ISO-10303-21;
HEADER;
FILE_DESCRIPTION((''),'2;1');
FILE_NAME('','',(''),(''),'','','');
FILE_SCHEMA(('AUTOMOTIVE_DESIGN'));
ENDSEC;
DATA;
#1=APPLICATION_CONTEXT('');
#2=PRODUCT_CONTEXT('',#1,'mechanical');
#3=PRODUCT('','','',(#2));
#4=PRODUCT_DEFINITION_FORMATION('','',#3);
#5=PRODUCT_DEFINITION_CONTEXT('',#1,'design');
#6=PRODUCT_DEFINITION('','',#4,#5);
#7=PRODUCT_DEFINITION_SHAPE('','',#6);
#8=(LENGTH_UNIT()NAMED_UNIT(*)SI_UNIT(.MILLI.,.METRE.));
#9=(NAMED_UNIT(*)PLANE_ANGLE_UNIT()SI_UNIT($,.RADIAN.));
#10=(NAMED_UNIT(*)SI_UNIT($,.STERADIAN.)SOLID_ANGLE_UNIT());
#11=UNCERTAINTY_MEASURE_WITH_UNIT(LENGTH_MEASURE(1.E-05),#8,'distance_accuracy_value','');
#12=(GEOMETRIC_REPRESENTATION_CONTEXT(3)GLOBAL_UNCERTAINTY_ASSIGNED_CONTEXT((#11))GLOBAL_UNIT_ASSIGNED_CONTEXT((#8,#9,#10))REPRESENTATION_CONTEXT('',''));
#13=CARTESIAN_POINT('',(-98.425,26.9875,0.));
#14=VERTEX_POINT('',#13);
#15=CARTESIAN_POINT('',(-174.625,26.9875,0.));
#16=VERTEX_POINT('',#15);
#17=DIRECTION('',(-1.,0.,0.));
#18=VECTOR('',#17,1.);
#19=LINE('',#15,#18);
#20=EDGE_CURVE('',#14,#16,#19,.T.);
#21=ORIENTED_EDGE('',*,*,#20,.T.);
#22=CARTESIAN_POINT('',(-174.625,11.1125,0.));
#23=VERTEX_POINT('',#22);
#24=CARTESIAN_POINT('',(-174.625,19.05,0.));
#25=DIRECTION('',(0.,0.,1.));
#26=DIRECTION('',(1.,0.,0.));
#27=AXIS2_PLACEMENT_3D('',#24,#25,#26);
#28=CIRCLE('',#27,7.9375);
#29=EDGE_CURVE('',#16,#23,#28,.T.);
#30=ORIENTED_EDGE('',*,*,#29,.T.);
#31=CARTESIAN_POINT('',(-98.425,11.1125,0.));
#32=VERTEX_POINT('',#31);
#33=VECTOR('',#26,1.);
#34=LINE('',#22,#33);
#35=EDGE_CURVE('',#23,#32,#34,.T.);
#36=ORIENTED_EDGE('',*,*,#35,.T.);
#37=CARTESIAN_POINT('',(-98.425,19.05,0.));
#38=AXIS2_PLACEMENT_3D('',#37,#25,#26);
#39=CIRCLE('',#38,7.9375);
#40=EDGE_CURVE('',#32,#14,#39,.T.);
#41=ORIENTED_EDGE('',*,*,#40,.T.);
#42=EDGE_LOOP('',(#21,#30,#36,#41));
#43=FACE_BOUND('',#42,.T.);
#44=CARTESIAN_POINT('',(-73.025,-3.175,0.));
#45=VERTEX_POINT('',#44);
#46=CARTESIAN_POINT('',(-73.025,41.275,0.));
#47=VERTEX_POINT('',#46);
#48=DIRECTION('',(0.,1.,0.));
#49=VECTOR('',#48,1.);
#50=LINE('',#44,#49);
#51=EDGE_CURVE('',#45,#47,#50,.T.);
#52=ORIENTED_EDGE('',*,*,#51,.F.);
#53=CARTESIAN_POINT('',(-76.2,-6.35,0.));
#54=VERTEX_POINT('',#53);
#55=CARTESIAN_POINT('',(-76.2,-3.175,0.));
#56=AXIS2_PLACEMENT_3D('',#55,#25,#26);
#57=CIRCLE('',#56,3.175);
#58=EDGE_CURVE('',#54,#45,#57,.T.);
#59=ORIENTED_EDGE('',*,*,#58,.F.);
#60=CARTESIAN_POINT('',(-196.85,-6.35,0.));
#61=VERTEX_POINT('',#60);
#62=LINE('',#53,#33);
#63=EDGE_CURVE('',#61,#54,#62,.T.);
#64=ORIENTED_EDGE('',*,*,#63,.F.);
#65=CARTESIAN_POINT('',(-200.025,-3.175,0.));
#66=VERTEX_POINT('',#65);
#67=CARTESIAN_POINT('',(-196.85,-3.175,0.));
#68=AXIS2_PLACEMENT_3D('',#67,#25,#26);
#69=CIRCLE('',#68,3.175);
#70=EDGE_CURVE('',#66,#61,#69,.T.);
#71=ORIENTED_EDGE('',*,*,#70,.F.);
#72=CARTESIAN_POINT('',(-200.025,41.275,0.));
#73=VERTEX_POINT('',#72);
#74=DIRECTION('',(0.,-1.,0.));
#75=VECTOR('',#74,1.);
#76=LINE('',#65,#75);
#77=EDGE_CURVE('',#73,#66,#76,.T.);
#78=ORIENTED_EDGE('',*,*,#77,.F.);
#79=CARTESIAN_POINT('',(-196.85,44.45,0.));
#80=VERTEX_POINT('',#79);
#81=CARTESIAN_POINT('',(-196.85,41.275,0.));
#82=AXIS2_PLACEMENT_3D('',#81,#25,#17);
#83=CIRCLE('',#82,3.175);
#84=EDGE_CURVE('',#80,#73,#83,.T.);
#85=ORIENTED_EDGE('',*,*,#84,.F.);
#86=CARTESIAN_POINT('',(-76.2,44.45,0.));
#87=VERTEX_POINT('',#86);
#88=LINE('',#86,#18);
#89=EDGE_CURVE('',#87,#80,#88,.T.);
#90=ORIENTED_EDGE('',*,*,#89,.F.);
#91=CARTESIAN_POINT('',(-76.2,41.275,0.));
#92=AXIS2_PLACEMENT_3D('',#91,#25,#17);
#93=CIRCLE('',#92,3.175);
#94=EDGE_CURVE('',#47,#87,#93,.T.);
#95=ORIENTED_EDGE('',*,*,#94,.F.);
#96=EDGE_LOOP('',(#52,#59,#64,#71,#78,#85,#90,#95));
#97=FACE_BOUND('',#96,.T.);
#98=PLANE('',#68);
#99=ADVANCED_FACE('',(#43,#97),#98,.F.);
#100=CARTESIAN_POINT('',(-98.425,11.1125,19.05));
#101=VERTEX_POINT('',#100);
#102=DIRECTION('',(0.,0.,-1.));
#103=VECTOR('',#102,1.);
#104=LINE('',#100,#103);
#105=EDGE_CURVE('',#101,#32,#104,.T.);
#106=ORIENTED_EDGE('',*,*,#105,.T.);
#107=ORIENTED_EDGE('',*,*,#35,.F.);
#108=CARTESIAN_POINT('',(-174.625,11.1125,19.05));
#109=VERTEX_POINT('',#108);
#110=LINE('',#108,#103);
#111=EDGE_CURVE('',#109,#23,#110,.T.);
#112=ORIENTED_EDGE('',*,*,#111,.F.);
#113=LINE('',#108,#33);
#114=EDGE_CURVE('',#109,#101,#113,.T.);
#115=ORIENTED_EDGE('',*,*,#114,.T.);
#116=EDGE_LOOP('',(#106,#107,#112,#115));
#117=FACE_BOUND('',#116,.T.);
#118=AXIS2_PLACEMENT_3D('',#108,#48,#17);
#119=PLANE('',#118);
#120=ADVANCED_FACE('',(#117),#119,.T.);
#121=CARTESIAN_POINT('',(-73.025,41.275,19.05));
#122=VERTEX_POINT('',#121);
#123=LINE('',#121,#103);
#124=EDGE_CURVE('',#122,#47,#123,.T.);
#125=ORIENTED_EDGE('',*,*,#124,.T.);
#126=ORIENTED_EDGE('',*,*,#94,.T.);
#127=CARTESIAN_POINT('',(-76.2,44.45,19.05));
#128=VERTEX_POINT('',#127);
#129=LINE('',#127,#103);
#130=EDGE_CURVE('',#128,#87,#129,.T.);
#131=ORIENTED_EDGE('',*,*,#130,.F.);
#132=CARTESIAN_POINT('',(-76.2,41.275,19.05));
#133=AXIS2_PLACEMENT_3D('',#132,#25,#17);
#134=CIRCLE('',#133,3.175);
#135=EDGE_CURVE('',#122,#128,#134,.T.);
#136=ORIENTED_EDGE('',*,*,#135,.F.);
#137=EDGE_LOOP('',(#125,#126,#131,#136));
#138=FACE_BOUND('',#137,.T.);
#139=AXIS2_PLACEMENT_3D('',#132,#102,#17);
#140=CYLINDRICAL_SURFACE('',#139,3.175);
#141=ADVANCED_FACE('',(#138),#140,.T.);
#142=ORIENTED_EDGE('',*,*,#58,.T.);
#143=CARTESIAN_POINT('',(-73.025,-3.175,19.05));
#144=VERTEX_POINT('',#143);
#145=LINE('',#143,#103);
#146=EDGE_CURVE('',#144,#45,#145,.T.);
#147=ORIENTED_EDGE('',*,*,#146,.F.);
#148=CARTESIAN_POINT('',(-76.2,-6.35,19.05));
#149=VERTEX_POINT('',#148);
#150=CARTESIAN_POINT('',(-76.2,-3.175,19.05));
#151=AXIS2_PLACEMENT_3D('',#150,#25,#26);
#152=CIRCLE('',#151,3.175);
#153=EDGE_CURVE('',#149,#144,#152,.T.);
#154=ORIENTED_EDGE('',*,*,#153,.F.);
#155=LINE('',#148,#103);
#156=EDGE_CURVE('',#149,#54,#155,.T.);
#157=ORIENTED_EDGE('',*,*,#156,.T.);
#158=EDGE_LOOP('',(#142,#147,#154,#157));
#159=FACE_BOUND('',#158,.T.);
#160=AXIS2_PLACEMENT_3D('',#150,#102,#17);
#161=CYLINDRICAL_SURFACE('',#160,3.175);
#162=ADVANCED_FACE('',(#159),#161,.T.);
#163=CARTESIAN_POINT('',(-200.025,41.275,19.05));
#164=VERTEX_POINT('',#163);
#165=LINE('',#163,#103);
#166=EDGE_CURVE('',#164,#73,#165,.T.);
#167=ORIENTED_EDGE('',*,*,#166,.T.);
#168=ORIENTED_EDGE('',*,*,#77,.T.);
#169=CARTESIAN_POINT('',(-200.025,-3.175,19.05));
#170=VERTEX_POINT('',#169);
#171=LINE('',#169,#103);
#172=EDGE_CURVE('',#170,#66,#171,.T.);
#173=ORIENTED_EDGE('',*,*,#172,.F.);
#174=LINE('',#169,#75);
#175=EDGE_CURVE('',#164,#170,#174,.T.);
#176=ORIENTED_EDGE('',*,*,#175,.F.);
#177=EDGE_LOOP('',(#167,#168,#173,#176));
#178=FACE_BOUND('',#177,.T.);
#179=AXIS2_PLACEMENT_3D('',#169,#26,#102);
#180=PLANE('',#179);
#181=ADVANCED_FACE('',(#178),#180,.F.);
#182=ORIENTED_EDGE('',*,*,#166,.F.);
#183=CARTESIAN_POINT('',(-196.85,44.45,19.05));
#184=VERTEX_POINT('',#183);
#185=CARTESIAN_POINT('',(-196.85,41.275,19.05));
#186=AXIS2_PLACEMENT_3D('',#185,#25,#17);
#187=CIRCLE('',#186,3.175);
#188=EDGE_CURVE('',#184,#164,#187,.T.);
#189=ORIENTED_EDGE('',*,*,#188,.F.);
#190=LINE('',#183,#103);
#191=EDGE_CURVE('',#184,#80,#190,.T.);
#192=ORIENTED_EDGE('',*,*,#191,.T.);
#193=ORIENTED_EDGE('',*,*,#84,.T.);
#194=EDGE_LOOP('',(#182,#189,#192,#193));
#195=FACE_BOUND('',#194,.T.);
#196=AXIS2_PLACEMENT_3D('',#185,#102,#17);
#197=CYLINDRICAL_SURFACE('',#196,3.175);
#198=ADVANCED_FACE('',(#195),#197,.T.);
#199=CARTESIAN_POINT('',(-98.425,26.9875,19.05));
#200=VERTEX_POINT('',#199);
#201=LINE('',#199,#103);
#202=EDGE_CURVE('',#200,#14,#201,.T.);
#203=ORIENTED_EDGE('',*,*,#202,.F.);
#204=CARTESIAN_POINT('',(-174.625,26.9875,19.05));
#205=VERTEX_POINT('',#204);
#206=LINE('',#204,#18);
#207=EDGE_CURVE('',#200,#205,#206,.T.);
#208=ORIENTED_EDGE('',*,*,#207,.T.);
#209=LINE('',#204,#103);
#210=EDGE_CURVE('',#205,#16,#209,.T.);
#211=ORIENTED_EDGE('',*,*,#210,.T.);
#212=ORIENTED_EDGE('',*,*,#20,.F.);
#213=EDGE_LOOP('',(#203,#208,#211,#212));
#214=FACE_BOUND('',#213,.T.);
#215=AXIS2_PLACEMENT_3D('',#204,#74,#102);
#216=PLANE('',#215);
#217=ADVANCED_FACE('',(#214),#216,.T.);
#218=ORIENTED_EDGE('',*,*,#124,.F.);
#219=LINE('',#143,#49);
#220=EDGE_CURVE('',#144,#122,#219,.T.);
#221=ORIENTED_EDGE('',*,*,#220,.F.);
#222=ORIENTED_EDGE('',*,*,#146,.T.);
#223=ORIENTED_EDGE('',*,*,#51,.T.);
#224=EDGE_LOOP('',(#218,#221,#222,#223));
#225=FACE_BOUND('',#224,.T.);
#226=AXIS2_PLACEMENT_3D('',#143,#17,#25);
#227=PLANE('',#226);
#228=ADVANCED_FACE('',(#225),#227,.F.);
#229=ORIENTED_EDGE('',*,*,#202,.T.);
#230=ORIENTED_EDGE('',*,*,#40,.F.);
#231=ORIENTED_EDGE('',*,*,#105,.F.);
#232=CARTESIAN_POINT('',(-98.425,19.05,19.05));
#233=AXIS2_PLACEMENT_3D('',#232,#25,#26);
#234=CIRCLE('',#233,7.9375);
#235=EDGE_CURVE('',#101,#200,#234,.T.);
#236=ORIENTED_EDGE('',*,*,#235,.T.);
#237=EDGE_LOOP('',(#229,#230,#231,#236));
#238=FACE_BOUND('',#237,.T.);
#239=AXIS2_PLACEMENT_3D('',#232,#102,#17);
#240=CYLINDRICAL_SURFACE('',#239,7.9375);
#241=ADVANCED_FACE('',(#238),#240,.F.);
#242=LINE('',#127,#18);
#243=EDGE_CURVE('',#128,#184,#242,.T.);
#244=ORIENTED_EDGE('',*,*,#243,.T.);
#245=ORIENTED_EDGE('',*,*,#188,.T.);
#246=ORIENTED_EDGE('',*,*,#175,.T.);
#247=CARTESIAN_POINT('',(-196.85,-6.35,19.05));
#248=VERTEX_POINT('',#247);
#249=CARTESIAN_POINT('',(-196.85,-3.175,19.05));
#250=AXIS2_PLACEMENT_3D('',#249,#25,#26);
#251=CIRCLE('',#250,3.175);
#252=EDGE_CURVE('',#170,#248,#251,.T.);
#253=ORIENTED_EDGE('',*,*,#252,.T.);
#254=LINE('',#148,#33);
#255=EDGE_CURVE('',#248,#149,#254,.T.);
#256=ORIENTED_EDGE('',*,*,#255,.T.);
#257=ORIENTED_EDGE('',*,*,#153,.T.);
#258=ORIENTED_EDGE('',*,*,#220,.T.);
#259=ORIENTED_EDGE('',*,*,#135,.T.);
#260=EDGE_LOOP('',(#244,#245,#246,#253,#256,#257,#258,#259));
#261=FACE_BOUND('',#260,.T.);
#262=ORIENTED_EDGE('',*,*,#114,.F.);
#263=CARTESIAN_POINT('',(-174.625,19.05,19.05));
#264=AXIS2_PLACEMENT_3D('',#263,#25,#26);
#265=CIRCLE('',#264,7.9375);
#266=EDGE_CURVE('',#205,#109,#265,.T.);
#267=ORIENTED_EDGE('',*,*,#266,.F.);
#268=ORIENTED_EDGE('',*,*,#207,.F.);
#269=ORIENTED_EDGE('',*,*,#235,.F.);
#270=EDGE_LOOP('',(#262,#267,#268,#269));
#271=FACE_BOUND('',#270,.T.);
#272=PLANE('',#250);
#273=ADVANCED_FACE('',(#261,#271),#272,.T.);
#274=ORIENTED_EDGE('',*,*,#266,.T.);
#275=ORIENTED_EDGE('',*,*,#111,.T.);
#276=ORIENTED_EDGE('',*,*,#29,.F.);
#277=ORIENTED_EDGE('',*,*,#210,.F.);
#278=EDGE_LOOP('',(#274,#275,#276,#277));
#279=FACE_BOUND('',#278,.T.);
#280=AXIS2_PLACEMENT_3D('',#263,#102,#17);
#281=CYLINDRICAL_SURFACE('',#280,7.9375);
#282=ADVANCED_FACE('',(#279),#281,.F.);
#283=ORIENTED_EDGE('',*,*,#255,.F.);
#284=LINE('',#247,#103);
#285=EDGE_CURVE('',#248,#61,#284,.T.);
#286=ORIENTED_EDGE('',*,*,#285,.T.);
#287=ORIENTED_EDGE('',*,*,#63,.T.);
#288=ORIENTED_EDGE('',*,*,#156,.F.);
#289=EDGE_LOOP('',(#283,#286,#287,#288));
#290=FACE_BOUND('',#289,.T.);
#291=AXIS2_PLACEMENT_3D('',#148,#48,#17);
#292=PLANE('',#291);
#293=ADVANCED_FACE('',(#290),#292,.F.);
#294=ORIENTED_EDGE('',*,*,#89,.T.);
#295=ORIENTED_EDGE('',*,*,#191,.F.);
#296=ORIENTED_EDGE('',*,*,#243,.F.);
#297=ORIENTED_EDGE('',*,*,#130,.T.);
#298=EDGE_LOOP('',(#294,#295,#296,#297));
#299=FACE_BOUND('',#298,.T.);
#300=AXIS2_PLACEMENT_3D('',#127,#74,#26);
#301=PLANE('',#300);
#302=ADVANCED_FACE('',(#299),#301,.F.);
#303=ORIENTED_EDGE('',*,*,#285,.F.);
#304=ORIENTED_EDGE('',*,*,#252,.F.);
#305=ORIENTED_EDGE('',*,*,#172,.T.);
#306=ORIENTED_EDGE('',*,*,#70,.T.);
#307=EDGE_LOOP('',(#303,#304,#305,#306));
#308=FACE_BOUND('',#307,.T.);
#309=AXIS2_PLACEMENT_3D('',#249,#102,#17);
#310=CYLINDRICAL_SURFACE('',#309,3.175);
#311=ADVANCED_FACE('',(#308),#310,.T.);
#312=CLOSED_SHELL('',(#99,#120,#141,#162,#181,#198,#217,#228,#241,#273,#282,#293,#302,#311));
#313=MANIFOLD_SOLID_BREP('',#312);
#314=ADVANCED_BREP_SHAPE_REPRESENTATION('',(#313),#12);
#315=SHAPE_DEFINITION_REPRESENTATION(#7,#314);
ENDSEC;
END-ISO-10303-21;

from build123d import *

# Parameters (mm, degrees)
BASE_EXTRUDE_DEPTH = 19.05


with BuildPart() as part:
    # Sketch1 → Base-Extrude (new body)
    with BuildSketch(Plane.XY):
        with BuildLine():
            Line((-76.2, -6.35), (-196.85, -6.35))
            ThreePointArc((-196.85, -6.35), (-199.09506403, -5.42006403), (-200.025, -3.175))
            Line((-200.025, -3.175), (-200.025, 41.275))
            ThreePointArc((-200.025, 41.275), (-199.09506403, 43.52006403), (-196.85, 44.45))
            Line((-196.85, 44.45), (-76.2, 44.45))
            ThreePointArc((-76.2, 44.45), (-73.95493597, 43.52006403), (-73.025, 41.275))
            Line((-73.025, 41.275), (-73.025, -3.175))
            ThreePointArc((-73.025, -3.175), (-73.95493597, -5.42006403), (-76.2, -6.35))
        make_face()
        with BuildLine():
            Line((-174.625, 11.1125), (-98.425, 11.1125))
            ThreePointArc((-98.425, 11.1125), (-90.4875, 19.05), (-98.425, 26.9875))
            Line((-98.425, 26.9875), (-174.625, 26.9875))
            ThreePointArc((-174.625, 26.9875), (-182.5625, 19.05), (-174.625, 11.1125))
        make_face(mode=Mode.SUBTRACT)
    extrude(amount=BASE_EXTRUDE_DEPTH)


solid = part.part
